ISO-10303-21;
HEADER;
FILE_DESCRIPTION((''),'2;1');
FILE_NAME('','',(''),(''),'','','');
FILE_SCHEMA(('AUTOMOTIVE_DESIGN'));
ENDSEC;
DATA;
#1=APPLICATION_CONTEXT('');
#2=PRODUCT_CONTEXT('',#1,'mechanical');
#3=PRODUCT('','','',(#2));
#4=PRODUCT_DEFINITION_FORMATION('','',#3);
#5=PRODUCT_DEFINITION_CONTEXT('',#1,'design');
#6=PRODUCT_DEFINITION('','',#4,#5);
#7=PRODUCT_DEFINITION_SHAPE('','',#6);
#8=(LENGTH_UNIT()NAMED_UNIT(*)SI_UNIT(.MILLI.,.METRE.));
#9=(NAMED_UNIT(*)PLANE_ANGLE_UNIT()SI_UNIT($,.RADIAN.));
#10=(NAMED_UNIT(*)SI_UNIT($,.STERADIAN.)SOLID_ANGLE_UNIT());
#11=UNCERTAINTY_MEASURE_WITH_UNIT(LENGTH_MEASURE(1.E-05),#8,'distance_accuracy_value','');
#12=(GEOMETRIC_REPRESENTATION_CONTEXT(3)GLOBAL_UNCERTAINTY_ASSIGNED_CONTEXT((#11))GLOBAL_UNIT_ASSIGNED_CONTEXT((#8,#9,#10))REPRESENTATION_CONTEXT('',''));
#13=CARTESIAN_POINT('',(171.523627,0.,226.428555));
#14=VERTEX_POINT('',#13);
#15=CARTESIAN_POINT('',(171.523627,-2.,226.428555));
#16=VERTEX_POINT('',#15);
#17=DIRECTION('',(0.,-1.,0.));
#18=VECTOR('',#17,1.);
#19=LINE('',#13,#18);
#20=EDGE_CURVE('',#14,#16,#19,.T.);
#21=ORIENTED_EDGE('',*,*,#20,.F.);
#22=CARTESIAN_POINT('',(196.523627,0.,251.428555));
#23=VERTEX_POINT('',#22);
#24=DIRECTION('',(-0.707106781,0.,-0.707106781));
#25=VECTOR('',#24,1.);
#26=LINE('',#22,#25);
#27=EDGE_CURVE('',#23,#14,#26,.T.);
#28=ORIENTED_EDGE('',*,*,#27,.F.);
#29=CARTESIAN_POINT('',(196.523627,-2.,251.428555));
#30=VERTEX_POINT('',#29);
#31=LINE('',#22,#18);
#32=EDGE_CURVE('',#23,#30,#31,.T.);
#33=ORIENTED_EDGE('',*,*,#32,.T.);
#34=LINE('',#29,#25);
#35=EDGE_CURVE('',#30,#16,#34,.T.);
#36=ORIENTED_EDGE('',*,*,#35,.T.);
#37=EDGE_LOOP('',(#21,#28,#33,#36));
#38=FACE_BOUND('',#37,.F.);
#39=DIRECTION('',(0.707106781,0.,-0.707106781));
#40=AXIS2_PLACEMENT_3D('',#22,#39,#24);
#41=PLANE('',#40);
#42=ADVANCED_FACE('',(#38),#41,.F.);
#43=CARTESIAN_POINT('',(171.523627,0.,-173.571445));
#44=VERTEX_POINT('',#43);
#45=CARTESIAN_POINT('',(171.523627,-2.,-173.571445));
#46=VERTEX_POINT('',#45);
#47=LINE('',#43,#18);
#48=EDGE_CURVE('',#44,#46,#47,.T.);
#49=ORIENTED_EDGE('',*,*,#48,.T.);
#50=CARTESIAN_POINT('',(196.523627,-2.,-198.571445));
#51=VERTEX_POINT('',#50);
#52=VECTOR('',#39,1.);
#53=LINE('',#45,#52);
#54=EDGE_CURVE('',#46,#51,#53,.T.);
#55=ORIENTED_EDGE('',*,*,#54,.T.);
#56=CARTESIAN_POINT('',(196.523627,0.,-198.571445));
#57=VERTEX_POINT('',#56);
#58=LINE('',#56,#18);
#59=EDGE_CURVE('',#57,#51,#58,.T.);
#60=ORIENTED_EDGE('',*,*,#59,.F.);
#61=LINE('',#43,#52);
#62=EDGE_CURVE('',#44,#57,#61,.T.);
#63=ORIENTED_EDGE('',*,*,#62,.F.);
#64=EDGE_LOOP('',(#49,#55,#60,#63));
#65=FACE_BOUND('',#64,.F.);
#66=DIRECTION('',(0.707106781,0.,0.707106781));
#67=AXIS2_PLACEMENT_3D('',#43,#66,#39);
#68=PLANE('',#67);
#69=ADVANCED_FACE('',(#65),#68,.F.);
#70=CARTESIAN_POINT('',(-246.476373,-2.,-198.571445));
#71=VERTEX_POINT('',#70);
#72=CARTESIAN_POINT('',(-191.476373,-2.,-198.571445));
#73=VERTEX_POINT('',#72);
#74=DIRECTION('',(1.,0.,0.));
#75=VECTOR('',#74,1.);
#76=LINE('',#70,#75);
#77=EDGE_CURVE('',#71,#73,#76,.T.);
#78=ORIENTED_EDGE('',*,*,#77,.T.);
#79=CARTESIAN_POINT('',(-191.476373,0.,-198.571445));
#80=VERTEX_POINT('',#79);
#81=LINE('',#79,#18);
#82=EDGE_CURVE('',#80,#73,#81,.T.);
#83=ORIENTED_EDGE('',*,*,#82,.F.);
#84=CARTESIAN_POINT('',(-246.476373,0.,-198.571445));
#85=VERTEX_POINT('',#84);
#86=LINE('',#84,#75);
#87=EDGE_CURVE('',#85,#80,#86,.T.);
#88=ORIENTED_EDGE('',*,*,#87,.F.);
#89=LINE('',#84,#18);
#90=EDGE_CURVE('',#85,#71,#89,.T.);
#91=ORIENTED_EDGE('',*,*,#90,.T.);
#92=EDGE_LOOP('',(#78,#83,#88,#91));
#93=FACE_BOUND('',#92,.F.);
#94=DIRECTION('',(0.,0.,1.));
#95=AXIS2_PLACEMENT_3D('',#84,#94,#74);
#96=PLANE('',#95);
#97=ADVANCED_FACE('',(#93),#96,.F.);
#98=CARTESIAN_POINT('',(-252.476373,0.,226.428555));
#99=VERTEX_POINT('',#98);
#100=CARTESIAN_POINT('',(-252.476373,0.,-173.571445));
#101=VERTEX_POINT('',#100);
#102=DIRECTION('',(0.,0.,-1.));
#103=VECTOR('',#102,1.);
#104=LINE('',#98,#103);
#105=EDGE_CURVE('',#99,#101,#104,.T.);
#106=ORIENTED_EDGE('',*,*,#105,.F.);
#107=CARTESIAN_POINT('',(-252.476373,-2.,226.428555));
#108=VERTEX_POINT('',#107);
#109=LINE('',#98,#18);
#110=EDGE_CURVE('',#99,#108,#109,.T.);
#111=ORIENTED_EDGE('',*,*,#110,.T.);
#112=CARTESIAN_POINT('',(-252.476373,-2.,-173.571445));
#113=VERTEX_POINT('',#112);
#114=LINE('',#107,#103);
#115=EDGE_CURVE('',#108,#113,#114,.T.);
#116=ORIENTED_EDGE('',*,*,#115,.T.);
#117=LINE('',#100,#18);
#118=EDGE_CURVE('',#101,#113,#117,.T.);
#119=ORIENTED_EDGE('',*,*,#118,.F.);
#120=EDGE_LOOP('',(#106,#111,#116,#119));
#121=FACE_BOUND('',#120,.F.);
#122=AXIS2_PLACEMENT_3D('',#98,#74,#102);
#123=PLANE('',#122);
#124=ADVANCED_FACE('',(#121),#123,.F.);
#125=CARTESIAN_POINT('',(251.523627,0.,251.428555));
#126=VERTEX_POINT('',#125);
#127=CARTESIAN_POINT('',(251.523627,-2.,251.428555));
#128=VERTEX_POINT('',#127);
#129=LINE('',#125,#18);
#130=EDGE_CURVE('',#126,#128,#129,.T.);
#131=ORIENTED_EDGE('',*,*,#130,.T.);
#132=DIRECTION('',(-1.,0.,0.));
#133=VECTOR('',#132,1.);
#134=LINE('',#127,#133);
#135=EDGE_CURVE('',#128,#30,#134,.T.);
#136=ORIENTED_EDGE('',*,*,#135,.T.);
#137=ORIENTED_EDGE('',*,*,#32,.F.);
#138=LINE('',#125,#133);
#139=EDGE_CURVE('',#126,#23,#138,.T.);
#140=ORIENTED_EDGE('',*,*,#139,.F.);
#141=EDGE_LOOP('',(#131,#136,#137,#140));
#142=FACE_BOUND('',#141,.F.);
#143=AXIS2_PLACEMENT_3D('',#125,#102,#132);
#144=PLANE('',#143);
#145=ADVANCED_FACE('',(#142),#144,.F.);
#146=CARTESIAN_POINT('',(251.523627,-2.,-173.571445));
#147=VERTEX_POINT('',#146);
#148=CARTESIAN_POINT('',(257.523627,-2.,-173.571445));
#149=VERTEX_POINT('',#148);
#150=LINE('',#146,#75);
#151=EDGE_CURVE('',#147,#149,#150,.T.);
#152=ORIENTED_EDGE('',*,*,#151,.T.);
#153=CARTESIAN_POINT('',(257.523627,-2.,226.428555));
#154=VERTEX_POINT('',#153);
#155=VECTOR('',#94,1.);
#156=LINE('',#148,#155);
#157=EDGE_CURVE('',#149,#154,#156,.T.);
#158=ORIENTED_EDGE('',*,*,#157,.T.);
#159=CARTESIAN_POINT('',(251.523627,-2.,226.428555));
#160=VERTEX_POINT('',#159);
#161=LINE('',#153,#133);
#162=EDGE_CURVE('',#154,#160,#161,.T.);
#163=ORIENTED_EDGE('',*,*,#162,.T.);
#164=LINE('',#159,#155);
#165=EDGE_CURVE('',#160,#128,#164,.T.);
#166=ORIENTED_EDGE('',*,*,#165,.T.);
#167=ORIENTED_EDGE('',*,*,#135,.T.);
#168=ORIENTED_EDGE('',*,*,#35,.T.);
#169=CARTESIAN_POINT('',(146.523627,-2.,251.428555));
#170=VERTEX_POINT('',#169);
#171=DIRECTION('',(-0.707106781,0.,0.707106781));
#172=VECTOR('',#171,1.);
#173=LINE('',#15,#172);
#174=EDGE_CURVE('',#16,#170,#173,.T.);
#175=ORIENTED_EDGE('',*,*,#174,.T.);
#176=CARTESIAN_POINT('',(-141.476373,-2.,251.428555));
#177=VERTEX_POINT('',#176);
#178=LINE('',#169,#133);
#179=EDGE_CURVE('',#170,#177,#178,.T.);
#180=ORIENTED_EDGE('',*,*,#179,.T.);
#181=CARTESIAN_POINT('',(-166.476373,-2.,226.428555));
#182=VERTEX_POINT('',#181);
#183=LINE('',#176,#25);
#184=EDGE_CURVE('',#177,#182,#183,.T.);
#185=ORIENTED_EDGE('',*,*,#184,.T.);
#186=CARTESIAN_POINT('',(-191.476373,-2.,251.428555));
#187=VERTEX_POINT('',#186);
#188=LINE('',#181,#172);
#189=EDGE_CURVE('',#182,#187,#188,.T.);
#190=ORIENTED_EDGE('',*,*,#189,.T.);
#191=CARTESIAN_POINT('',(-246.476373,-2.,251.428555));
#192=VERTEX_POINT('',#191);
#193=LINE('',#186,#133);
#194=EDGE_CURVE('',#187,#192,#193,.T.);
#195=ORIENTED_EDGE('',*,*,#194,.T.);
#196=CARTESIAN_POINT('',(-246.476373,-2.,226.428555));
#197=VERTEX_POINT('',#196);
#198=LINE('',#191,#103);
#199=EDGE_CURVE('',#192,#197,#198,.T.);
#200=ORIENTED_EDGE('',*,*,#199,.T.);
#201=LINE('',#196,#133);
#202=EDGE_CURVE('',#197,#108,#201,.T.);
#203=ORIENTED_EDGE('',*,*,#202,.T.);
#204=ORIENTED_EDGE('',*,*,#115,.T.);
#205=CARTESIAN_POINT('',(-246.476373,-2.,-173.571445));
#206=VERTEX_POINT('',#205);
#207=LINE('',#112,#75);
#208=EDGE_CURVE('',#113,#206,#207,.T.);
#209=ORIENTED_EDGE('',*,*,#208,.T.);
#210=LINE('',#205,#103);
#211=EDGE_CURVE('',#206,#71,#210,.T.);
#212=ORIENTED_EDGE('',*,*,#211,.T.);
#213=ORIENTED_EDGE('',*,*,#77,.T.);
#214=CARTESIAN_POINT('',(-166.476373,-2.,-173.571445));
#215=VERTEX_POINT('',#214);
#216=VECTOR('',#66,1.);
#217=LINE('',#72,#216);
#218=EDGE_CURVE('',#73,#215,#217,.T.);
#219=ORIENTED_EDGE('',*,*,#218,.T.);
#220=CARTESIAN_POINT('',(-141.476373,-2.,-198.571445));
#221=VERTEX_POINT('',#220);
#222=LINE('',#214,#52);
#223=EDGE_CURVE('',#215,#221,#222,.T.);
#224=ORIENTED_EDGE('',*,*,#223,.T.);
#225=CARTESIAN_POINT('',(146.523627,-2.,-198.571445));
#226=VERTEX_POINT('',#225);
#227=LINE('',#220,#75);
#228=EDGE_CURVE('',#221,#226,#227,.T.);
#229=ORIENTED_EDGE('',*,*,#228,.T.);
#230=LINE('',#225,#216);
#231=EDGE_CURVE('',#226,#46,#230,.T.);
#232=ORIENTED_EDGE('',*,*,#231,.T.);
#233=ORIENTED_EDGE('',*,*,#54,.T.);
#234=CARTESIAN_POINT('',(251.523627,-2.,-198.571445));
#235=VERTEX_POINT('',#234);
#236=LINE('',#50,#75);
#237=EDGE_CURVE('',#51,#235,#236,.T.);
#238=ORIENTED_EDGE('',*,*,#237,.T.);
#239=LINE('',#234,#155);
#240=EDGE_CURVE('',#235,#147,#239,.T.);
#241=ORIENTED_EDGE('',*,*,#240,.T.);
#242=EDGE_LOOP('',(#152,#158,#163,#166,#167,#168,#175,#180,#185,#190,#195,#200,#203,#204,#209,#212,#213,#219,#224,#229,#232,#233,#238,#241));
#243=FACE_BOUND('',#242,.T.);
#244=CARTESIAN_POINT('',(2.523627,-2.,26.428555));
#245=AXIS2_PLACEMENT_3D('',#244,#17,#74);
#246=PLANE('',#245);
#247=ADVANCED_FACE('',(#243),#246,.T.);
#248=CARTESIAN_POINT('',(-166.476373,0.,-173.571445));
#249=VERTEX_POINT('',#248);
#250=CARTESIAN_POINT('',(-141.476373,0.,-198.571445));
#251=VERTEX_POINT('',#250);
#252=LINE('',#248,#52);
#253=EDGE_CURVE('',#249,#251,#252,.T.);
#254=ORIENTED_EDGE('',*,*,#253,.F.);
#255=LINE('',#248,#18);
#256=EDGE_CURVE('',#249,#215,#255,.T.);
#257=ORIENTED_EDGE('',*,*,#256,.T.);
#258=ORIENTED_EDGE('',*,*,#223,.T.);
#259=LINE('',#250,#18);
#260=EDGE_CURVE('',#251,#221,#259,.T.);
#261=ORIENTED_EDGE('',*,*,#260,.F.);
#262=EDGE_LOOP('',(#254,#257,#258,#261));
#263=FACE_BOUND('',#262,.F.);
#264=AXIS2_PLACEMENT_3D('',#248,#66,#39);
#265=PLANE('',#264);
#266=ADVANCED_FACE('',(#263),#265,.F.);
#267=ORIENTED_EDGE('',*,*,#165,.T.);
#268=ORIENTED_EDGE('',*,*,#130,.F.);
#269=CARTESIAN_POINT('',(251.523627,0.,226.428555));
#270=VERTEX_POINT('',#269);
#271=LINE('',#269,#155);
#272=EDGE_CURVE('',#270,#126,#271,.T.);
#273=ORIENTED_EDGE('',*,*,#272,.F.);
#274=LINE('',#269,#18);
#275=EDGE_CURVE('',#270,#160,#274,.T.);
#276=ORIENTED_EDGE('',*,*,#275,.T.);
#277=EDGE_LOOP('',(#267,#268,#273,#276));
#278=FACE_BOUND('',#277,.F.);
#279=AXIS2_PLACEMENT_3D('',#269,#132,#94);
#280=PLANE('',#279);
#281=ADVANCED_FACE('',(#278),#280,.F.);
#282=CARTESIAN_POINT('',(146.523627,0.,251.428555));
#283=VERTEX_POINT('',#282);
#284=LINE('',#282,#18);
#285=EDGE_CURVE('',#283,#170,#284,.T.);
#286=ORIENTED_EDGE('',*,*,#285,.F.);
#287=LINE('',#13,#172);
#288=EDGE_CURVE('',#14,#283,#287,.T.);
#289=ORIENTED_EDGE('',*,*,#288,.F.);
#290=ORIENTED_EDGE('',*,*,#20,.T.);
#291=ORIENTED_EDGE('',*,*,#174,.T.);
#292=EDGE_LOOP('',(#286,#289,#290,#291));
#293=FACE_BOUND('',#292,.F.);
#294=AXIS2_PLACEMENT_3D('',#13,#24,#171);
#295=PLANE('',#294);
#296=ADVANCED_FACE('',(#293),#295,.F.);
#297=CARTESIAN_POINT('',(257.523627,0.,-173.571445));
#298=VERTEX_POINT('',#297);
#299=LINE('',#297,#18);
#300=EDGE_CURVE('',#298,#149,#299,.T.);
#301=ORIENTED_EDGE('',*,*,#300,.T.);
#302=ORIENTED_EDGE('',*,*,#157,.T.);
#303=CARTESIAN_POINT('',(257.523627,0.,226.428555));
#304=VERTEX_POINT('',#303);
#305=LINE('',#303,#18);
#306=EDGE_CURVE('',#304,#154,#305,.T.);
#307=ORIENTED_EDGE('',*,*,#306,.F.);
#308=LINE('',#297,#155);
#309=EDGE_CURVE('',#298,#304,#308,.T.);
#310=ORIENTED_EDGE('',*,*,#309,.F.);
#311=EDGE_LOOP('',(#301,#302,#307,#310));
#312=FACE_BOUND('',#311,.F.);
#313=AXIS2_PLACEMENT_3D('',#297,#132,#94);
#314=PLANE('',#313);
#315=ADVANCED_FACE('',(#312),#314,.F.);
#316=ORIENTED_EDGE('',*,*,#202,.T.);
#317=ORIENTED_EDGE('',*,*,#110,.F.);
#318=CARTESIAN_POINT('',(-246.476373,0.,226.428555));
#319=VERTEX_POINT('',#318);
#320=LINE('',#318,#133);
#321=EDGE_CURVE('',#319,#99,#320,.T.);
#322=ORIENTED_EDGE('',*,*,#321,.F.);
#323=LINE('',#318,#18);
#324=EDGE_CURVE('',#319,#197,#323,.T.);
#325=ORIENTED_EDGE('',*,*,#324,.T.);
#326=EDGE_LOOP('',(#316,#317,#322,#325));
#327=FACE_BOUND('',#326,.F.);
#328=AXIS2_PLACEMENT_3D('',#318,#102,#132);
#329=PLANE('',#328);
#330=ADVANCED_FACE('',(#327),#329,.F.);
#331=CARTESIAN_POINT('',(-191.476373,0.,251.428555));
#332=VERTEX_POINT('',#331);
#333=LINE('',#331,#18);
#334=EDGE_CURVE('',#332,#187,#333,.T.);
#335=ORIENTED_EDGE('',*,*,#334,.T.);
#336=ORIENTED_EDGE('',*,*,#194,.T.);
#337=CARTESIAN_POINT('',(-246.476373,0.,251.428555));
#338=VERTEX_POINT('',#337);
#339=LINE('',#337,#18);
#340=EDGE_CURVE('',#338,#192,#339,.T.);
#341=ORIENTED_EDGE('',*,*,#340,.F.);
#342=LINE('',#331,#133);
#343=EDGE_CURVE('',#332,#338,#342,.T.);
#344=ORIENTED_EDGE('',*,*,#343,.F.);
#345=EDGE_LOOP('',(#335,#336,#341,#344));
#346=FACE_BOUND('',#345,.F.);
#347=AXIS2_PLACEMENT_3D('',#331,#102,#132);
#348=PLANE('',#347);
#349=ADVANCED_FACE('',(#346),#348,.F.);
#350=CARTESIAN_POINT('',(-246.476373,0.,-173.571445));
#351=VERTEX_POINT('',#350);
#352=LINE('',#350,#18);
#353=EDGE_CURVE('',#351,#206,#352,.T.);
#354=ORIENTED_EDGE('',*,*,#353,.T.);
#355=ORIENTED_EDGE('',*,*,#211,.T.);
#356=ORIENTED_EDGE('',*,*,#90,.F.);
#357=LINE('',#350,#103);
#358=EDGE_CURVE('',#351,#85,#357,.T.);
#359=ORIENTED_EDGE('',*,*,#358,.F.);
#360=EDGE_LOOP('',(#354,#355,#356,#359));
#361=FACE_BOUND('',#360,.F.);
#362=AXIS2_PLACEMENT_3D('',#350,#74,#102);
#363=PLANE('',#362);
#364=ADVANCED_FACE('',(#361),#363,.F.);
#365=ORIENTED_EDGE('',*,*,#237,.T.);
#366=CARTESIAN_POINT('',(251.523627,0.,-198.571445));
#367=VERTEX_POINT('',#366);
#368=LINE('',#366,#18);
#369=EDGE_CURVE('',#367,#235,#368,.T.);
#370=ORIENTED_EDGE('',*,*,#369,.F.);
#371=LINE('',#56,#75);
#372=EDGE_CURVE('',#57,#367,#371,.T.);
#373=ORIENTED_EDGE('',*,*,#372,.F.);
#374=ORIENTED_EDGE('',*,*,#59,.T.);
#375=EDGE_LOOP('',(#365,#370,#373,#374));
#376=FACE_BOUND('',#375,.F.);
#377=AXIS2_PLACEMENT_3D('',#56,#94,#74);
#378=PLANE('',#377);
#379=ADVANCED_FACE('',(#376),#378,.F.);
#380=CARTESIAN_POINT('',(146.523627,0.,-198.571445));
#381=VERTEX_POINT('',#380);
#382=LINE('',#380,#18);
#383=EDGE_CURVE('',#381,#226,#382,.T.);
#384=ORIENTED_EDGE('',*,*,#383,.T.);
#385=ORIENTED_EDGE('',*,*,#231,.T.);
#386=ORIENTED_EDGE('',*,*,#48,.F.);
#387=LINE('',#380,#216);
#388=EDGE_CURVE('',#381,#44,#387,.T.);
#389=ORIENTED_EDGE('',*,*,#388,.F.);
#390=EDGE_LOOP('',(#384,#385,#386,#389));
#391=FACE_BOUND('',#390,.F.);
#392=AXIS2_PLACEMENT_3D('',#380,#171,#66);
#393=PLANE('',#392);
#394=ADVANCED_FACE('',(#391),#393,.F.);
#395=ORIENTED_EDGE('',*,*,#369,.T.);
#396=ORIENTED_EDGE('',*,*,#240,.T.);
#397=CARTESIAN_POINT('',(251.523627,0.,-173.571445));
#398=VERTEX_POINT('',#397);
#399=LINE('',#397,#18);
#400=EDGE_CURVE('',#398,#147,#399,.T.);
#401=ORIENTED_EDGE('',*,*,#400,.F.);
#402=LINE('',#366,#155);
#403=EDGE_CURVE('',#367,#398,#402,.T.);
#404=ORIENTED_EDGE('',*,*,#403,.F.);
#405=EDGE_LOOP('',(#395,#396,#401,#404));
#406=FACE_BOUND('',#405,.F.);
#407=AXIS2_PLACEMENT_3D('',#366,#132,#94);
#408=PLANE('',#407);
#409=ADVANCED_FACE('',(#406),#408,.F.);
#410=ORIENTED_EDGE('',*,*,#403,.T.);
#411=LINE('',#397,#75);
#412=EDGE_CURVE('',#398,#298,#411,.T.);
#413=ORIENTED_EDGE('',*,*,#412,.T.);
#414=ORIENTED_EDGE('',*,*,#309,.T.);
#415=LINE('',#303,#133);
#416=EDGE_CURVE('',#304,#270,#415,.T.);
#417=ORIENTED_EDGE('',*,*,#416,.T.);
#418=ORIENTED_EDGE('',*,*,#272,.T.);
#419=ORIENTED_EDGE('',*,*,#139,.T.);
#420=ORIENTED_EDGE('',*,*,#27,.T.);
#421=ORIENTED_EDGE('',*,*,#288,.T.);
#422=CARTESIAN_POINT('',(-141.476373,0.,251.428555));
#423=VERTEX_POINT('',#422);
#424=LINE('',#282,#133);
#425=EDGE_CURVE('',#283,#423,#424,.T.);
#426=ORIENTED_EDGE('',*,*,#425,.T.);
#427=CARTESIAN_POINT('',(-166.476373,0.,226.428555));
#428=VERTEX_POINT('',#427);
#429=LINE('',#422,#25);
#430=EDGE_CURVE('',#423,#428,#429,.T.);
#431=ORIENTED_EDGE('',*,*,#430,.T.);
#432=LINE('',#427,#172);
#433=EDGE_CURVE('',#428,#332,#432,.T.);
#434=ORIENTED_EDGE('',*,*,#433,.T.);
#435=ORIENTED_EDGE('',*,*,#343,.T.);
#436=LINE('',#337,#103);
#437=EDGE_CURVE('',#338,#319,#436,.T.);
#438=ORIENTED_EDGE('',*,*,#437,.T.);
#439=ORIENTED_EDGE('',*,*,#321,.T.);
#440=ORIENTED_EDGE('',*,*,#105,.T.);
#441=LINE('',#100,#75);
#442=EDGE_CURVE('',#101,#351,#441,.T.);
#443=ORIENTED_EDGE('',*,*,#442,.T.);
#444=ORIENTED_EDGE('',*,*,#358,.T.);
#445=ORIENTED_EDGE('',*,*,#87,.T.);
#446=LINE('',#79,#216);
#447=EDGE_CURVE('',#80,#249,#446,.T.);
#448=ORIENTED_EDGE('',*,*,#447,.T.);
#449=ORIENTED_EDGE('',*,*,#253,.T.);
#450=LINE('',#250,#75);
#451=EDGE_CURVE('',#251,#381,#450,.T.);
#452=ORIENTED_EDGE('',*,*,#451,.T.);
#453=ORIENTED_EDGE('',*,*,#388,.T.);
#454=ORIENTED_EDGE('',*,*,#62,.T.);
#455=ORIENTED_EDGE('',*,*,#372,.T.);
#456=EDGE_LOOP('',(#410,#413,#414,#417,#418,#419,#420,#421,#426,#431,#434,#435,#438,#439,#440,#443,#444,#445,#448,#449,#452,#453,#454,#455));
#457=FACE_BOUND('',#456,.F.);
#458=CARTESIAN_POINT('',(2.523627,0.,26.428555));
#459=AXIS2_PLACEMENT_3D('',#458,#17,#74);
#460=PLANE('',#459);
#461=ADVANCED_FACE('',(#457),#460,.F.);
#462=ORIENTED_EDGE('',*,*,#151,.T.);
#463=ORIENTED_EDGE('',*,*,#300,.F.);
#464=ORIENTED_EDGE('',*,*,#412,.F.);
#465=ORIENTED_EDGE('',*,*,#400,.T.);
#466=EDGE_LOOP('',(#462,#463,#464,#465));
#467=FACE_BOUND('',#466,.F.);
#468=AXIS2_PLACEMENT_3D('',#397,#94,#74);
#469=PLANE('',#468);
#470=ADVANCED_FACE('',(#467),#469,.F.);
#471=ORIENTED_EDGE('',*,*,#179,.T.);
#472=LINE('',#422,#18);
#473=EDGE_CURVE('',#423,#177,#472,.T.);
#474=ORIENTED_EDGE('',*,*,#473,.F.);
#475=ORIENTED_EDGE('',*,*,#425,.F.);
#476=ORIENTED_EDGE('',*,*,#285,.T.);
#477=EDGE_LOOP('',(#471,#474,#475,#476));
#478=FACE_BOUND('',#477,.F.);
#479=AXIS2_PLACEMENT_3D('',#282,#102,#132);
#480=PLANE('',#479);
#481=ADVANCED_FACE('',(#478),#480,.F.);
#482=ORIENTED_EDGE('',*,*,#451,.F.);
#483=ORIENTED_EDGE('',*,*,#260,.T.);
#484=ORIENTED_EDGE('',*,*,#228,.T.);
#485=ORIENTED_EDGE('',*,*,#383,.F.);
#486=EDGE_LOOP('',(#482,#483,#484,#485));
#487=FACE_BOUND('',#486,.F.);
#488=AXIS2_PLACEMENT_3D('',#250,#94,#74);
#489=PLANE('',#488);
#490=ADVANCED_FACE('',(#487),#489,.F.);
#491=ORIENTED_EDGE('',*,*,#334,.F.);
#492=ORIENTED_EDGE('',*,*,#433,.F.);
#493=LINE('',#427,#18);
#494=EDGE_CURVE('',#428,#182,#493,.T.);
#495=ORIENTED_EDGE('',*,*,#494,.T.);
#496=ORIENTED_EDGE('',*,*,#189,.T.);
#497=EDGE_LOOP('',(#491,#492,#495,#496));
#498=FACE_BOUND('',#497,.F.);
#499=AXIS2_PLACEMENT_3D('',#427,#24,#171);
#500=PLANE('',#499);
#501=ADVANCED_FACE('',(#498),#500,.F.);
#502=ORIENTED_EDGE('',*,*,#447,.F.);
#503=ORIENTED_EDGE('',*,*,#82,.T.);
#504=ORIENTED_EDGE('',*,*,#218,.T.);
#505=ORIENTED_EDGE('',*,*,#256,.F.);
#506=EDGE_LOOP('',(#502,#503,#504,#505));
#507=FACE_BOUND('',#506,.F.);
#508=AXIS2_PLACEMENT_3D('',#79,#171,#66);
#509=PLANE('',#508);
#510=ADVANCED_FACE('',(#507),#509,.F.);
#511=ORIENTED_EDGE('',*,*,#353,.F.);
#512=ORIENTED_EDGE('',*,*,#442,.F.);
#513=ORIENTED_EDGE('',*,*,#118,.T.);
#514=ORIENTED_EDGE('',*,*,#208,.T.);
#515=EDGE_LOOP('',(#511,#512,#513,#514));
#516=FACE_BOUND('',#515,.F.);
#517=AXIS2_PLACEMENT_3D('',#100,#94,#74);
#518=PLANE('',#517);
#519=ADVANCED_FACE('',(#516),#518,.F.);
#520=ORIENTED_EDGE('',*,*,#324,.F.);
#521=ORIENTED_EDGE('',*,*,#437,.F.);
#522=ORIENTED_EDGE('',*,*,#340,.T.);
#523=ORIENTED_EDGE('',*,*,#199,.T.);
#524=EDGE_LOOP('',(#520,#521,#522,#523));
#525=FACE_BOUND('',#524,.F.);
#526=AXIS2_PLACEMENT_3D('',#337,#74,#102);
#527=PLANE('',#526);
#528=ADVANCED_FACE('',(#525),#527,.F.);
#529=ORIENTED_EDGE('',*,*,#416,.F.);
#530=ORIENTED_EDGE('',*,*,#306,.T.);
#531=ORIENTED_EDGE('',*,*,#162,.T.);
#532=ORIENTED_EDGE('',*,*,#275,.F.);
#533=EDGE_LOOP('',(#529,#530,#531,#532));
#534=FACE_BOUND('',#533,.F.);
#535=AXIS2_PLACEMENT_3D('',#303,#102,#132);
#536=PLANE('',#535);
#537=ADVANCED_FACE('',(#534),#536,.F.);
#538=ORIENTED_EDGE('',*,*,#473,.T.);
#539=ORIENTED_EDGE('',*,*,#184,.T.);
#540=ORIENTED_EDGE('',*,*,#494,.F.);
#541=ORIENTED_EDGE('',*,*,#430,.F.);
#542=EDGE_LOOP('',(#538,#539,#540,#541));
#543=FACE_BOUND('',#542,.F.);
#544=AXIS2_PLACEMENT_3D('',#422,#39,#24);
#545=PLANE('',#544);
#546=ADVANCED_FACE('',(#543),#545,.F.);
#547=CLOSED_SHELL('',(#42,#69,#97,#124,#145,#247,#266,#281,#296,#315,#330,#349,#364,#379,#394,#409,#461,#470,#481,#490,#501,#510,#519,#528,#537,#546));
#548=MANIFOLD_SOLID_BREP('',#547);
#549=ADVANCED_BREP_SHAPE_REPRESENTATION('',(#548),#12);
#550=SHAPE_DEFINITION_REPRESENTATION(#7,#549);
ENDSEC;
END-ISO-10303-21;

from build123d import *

# Parameters (mm, degrees)
F1_DEPTH = 2


with BuildPart() as f1:
    # F0 (on Front) → F1 (new body)
    with BuildSketch(Plane.XZ):
        Polygon((-191.476373, 251.428555), (-246.476373, 251.428555), (-246.476373, 226.428555), (-252.476373, 226.428555), (-252.476373, -173.571445), (-246.476373, -173.571445), (-246.476373, -198.571445), (-191.476373, -198.571445), (-166.476373, -173.571445), (-141.476373, -198.571445), (146.523627, -198.571445), (171.523627, -173.571445), (196.523627, -198.571445), (251.523627, -198.571445), (251.523627, -173.571445), (257.523627, -173.571445), (257.523627, 26.428555), (257.523627, 226.428555), (251.523627, 226.428555), (251.523627, 251.428555), (196.523627, 251.428555), (171.523627, 226.428555), (146.523627, 251.428555), (-141.476373, 251.428555), (-166.476373, 226.428555), align=None)
    extrude(amount=F1_DEPTH)


solid = f1.part
